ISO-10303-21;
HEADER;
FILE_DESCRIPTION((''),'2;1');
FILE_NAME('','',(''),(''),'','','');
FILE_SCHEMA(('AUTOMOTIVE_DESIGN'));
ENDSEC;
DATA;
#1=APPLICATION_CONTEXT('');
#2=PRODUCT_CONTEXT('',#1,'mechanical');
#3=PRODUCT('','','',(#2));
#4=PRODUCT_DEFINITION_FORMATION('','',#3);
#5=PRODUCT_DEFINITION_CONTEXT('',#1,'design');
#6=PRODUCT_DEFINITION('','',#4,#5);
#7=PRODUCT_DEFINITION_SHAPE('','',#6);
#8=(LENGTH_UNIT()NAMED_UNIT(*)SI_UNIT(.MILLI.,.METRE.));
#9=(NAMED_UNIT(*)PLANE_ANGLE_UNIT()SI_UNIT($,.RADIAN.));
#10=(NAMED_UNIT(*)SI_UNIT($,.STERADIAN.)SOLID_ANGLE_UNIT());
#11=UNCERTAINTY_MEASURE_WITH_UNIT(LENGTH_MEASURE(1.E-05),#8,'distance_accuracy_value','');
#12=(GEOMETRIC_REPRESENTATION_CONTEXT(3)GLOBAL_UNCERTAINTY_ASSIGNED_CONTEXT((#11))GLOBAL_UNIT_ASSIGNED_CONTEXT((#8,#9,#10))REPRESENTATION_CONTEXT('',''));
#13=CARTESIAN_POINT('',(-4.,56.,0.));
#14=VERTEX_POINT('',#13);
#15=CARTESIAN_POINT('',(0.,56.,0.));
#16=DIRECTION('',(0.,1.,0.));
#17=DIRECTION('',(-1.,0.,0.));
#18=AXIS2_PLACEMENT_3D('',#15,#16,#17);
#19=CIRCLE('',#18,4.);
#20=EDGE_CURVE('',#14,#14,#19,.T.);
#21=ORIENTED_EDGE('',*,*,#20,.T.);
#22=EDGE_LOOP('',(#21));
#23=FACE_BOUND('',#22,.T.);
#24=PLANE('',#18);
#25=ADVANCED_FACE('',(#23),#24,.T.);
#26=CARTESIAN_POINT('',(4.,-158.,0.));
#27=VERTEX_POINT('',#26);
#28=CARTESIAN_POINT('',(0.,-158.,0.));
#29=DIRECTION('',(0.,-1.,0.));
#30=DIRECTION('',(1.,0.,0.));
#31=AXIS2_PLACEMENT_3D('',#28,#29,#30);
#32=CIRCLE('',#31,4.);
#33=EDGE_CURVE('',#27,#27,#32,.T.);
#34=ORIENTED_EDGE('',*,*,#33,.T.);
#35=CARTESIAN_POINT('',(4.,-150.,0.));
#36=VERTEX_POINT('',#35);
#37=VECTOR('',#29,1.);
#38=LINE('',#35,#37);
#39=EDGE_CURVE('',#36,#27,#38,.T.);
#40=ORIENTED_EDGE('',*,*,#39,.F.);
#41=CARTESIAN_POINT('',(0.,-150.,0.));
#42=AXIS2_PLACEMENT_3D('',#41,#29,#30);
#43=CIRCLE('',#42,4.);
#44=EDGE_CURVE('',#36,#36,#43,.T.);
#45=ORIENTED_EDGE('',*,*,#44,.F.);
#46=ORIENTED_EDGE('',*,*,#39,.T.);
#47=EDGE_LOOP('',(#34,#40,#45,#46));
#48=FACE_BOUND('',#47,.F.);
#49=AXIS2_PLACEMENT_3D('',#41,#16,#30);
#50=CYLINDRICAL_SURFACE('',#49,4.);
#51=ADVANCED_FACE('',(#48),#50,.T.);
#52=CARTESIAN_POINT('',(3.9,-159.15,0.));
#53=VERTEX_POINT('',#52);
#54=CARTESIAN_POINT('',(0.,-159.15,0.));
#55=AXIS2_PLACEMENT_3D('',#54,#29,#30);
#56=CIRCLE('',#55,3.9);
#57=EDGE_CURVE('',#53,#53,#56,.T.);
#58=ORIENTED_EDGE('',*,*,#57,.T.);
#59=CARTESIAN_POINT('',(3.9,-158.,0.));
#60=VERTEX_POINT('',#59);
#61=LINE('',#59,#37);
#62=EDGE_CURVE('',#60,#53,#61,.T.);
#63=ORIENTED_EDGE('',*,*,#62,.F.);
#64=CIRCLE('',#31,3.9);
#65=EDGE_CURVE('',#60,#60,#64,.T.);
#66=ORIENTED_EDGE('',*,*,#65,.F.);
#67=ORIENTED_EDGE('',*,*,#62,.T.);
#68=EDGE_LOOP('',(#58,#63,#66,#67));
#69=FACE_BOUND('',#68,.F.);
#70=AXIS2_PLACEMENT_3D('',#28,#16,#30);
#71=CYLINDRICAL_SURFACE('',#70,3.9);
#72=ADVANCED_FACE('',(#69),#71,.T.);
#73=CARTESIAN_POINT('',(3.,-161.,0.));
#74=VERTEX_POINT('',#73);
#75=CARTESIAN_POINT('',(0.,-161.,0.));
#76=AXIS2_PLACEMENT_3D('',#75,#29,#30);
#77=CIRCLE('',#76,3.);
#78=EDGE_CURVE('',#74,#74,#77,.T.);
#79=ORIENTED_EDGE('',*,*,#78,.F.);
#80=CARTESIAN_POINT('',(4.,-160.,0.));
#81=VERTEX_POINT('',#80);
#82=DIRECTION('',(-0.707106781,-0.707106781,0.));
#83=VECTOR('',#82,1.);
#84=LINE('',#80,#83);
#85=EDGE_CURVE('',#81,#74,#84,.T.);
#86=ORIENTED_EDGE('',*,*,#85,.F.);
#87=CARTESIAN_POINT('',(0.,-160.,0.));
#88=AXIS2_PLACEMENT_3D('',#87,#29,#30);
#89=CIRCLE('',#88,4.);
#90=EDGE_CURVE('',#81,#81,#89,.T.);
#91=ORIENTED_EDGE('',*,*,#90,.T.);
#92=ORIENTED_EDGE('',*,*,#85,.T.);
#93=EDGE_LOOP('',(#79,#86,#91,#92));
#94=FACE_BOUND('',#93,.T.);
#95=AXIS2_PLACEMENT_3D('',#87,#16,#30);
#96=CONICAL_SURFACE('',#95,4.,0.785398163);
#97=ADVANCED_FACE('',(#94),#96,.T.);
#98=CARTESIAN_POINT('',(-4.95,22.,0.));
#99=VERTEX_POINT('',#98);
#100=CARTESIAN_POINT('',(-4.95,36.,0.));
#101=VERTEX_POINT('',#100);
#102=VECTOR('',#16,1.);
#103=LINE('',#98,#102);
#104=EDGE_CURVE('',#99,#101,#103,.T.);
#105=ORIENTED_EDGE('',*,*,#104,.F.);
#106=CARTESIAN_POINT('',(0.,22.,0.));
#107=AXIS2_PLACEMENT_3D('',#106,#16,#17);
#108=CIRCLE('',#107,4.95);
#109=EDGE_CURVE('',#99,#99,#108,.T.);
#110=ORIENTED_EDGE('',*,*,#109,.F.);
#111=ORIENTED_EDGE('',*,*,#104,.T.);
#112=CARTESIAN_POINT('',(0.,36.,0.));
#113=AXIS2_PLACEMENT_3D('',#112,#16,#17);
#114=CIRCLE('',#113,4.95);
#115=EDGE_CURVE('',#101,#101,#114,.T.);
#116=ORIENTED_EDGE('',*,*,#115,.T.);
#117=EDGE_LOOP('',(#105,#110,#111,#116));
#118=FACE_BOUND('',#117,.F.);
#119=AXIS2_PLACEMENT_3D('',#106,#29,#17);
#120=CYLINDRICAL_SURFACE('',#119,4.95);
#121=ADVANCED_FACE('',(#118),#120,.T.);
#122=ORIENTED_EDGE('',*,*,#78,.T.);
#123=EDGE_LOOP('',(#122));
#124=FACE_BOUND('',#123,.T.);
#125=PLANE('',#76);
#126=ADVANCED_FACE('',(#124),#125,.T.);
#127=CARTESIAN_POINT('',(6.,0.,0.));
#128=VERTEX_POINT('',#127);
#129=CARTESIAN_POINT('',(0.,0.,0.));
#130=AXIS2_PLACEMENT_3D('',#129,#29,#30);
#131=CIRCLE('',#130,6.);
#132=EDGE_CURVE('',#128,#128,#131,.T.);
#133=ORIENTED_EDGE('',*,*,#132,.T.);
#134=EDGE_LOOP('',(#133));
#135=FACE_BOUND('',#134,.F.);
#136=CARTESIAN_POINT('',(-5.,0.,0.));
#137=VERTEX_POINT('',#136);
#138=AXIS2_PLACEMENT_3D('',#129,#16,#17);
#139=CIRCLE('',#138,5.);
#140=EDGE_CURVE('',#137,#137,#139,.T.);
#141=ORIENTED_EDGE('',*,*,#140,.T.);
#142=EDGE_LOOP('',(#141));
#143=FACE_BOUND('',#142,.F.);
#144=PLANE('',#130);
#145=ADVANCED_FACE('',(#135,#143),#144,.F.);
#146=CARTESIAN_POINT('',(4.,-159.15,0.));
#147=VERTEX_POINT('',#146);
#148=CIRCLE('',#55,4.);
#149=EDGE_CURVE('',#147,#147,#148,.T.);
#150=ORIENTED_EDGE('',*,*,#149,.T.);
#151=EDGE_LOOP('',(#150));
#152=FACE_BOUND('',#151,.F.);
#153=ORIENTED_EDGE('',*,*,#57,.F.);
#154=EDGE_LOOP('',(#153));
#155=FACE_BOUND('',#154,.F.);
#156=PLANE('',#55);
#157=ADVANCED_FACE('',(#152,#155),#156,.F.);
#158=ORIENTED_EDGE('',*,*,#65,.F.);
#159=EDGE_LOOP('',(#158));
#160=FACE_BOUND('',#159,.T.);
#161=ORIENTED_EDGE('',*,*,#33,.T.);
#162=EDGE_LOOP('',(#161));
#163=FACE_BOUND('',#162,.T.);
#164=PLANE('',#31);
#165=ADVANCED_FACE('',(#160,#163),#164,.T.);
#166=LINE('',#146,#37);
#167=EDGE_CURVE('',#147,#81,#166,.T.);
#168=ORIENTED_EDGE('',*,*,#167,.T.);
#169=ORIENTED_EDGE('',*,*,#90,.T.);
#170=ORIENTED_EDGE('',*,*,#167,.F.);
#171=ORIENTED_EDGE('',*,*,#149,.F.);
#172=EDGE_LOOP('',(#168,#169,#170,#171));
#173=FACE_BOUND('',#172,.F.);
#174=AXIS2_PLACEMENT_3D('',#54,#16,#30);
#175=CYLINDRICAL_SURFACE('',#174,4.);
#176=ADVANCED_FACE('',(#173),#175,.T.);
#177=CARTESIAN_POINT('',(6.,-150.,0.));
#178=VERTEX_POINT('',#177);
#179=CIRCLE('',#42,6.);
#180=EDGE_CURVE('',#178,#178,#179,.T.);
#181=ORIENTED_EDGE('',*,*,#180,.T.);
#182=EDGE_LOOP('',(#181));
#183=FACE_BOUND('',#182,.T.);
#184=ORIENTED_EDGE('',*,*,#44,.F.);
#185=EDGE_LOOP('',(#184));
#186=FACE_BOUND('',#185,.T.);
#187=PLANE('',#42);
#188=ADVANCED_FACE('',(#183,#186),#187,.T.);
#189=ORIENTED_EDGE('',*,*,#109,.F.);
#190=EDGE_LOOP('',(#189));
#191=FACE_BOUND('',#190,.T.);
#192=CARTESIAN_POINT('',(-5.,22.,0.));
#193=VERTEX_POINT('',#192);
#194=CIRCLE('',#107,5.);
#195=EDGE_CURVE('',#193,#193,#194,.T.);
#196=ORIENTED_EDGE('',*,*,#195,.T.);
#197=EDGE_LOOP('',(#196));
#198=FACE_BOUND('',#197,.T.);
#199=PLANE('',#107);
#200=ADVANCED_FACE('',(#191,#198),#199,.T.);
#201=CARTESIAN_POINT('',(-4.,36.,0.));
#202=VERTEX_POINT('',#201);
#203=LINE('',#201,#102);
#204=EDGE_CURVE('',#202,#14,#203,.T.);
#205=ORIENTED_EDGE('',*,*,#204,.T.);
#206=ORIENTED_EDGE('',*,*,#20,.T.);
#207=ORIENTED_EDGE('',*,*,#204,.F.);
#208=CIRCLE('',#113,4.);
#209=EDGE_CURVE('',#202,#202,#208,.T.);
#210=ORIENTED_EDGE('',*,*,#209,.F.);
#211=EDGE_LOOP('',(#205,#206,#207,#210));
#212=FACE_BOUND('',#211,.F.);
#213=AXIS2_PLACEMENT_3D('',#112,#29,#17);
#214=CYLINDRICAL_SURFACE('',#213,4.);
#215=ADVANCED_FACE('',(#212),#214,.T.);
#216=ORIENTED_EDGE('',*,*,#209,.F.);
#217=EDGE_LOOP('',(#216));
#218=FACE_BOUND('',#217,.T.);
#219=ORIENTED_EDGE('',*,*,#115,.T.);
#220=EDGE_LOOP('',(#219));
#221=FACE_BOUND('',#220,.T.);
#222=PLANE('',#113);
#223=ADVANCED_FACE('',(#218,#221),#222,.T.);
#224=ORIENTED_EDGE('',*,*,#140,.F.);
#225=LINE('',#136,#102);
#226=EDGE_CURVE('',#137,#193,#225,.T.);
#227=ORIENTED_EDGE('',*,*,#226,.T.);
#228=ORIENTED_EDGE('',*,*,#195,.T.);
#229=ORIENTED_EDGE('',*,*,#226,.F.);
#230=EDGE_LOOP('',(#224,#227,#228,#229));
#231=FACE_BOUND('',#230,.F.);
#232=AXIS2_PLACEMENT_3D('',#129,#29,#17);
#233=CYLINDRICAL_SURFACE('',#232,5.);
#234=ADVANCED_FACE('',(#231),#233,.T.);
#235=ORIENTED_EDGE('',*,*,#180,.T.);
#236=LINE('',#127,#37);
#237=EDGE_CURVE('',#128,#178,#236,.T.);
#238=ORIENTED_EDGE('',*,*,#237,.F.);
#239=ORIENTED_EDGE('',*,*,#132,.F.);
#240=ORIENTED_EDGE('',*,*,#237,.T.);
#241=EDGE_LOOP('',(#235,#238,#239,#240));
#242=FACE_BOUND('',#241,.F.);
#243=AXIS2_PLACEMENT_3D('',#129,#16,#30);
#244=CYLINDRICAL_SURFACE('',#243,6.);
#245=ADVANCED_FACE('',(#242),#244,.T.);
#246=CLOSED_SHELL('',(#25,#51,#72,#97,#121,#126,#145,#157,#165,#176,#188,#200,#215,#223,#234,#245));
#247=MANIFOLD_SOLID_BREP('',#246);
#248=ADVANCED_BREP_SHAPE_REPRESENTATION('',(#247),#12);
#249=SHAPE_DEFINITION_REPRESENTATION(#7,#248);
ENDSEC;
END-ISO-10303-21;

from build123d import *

# Parameters (mm, degrees)
F0_R      = 6
F1_DEPTH  = 150
F2_R      = 5
F3_DEPTH  = 22
F4_R      = 4.95
F5_DEPTH  = 14
F6_R      = 4
F7_DEPTH  = 20
F8_R      = 4
F9_DEPTH  = 8
F10_R     = 3.9
F11_DEPTH = 1.15
F12_R     = 4
F13_DEPTH = 1.85
F14_SIZE  = 1


with BuildPart() as f1:
    # F0 (on Front) → F1 (new body)
    with BuildSketch(Plane.XZ):
        Circle(F0_R)
    extrude(amount=F1_DEPTH)

    # F2 (on face) → F3 (join)
    with BuildSketch(Plane(origin=(0, 0, 0), x_dir=(-1, 0, 0), z_dir=(0, 1, 0))):
        Circle(F2_R)
    extrude(amount=F3_DEPTH)

    # F4 (on face) → F5 (join)
    with BuildSketch(Plane(origin=(0, 22, 0), x_dir=(-1, 0, 0), z_dir=(0, 1, 0))):
        Circle(F4_R)
    extrude(amount=F5_DEPTH)

    # F6 (on face) → F7 (join)
    with BuildSketch(Plane(origin=(0, 36, 0), x_dir=(-1, 0, 0), z_dir=(0, 1, 0))):
        Circle(F6_R)
    extrude(amount=F7_DEPTH)

    # F8 (on face) → F9 (join)
    with BuildSketch(Plane.XZ.offset(150)):
        Circle(F8_R)
    extrude(amount=F9_DEPTH)

    # F10 (on face) → F11 (join)
    with BuildSketch(Plane.XZ.offset(158)):
        Circle(F10_R)
    extrude(amount=F11_DEPTH)

    # F12 (on face) → F13 (join)
    with BuildSketch(Plane.XZ.offset(159.15)):
        Circle(F12_R)
    extrude(amount=F13_DEPTH)

    # F14
    f14_edges = [f1.edges().sort_by_distance(p)[0] for p in [
        (-4, -161, 0),
    ]]
    chamfer(f14_edges, length=F14_SIZE)


solid = f1.part
